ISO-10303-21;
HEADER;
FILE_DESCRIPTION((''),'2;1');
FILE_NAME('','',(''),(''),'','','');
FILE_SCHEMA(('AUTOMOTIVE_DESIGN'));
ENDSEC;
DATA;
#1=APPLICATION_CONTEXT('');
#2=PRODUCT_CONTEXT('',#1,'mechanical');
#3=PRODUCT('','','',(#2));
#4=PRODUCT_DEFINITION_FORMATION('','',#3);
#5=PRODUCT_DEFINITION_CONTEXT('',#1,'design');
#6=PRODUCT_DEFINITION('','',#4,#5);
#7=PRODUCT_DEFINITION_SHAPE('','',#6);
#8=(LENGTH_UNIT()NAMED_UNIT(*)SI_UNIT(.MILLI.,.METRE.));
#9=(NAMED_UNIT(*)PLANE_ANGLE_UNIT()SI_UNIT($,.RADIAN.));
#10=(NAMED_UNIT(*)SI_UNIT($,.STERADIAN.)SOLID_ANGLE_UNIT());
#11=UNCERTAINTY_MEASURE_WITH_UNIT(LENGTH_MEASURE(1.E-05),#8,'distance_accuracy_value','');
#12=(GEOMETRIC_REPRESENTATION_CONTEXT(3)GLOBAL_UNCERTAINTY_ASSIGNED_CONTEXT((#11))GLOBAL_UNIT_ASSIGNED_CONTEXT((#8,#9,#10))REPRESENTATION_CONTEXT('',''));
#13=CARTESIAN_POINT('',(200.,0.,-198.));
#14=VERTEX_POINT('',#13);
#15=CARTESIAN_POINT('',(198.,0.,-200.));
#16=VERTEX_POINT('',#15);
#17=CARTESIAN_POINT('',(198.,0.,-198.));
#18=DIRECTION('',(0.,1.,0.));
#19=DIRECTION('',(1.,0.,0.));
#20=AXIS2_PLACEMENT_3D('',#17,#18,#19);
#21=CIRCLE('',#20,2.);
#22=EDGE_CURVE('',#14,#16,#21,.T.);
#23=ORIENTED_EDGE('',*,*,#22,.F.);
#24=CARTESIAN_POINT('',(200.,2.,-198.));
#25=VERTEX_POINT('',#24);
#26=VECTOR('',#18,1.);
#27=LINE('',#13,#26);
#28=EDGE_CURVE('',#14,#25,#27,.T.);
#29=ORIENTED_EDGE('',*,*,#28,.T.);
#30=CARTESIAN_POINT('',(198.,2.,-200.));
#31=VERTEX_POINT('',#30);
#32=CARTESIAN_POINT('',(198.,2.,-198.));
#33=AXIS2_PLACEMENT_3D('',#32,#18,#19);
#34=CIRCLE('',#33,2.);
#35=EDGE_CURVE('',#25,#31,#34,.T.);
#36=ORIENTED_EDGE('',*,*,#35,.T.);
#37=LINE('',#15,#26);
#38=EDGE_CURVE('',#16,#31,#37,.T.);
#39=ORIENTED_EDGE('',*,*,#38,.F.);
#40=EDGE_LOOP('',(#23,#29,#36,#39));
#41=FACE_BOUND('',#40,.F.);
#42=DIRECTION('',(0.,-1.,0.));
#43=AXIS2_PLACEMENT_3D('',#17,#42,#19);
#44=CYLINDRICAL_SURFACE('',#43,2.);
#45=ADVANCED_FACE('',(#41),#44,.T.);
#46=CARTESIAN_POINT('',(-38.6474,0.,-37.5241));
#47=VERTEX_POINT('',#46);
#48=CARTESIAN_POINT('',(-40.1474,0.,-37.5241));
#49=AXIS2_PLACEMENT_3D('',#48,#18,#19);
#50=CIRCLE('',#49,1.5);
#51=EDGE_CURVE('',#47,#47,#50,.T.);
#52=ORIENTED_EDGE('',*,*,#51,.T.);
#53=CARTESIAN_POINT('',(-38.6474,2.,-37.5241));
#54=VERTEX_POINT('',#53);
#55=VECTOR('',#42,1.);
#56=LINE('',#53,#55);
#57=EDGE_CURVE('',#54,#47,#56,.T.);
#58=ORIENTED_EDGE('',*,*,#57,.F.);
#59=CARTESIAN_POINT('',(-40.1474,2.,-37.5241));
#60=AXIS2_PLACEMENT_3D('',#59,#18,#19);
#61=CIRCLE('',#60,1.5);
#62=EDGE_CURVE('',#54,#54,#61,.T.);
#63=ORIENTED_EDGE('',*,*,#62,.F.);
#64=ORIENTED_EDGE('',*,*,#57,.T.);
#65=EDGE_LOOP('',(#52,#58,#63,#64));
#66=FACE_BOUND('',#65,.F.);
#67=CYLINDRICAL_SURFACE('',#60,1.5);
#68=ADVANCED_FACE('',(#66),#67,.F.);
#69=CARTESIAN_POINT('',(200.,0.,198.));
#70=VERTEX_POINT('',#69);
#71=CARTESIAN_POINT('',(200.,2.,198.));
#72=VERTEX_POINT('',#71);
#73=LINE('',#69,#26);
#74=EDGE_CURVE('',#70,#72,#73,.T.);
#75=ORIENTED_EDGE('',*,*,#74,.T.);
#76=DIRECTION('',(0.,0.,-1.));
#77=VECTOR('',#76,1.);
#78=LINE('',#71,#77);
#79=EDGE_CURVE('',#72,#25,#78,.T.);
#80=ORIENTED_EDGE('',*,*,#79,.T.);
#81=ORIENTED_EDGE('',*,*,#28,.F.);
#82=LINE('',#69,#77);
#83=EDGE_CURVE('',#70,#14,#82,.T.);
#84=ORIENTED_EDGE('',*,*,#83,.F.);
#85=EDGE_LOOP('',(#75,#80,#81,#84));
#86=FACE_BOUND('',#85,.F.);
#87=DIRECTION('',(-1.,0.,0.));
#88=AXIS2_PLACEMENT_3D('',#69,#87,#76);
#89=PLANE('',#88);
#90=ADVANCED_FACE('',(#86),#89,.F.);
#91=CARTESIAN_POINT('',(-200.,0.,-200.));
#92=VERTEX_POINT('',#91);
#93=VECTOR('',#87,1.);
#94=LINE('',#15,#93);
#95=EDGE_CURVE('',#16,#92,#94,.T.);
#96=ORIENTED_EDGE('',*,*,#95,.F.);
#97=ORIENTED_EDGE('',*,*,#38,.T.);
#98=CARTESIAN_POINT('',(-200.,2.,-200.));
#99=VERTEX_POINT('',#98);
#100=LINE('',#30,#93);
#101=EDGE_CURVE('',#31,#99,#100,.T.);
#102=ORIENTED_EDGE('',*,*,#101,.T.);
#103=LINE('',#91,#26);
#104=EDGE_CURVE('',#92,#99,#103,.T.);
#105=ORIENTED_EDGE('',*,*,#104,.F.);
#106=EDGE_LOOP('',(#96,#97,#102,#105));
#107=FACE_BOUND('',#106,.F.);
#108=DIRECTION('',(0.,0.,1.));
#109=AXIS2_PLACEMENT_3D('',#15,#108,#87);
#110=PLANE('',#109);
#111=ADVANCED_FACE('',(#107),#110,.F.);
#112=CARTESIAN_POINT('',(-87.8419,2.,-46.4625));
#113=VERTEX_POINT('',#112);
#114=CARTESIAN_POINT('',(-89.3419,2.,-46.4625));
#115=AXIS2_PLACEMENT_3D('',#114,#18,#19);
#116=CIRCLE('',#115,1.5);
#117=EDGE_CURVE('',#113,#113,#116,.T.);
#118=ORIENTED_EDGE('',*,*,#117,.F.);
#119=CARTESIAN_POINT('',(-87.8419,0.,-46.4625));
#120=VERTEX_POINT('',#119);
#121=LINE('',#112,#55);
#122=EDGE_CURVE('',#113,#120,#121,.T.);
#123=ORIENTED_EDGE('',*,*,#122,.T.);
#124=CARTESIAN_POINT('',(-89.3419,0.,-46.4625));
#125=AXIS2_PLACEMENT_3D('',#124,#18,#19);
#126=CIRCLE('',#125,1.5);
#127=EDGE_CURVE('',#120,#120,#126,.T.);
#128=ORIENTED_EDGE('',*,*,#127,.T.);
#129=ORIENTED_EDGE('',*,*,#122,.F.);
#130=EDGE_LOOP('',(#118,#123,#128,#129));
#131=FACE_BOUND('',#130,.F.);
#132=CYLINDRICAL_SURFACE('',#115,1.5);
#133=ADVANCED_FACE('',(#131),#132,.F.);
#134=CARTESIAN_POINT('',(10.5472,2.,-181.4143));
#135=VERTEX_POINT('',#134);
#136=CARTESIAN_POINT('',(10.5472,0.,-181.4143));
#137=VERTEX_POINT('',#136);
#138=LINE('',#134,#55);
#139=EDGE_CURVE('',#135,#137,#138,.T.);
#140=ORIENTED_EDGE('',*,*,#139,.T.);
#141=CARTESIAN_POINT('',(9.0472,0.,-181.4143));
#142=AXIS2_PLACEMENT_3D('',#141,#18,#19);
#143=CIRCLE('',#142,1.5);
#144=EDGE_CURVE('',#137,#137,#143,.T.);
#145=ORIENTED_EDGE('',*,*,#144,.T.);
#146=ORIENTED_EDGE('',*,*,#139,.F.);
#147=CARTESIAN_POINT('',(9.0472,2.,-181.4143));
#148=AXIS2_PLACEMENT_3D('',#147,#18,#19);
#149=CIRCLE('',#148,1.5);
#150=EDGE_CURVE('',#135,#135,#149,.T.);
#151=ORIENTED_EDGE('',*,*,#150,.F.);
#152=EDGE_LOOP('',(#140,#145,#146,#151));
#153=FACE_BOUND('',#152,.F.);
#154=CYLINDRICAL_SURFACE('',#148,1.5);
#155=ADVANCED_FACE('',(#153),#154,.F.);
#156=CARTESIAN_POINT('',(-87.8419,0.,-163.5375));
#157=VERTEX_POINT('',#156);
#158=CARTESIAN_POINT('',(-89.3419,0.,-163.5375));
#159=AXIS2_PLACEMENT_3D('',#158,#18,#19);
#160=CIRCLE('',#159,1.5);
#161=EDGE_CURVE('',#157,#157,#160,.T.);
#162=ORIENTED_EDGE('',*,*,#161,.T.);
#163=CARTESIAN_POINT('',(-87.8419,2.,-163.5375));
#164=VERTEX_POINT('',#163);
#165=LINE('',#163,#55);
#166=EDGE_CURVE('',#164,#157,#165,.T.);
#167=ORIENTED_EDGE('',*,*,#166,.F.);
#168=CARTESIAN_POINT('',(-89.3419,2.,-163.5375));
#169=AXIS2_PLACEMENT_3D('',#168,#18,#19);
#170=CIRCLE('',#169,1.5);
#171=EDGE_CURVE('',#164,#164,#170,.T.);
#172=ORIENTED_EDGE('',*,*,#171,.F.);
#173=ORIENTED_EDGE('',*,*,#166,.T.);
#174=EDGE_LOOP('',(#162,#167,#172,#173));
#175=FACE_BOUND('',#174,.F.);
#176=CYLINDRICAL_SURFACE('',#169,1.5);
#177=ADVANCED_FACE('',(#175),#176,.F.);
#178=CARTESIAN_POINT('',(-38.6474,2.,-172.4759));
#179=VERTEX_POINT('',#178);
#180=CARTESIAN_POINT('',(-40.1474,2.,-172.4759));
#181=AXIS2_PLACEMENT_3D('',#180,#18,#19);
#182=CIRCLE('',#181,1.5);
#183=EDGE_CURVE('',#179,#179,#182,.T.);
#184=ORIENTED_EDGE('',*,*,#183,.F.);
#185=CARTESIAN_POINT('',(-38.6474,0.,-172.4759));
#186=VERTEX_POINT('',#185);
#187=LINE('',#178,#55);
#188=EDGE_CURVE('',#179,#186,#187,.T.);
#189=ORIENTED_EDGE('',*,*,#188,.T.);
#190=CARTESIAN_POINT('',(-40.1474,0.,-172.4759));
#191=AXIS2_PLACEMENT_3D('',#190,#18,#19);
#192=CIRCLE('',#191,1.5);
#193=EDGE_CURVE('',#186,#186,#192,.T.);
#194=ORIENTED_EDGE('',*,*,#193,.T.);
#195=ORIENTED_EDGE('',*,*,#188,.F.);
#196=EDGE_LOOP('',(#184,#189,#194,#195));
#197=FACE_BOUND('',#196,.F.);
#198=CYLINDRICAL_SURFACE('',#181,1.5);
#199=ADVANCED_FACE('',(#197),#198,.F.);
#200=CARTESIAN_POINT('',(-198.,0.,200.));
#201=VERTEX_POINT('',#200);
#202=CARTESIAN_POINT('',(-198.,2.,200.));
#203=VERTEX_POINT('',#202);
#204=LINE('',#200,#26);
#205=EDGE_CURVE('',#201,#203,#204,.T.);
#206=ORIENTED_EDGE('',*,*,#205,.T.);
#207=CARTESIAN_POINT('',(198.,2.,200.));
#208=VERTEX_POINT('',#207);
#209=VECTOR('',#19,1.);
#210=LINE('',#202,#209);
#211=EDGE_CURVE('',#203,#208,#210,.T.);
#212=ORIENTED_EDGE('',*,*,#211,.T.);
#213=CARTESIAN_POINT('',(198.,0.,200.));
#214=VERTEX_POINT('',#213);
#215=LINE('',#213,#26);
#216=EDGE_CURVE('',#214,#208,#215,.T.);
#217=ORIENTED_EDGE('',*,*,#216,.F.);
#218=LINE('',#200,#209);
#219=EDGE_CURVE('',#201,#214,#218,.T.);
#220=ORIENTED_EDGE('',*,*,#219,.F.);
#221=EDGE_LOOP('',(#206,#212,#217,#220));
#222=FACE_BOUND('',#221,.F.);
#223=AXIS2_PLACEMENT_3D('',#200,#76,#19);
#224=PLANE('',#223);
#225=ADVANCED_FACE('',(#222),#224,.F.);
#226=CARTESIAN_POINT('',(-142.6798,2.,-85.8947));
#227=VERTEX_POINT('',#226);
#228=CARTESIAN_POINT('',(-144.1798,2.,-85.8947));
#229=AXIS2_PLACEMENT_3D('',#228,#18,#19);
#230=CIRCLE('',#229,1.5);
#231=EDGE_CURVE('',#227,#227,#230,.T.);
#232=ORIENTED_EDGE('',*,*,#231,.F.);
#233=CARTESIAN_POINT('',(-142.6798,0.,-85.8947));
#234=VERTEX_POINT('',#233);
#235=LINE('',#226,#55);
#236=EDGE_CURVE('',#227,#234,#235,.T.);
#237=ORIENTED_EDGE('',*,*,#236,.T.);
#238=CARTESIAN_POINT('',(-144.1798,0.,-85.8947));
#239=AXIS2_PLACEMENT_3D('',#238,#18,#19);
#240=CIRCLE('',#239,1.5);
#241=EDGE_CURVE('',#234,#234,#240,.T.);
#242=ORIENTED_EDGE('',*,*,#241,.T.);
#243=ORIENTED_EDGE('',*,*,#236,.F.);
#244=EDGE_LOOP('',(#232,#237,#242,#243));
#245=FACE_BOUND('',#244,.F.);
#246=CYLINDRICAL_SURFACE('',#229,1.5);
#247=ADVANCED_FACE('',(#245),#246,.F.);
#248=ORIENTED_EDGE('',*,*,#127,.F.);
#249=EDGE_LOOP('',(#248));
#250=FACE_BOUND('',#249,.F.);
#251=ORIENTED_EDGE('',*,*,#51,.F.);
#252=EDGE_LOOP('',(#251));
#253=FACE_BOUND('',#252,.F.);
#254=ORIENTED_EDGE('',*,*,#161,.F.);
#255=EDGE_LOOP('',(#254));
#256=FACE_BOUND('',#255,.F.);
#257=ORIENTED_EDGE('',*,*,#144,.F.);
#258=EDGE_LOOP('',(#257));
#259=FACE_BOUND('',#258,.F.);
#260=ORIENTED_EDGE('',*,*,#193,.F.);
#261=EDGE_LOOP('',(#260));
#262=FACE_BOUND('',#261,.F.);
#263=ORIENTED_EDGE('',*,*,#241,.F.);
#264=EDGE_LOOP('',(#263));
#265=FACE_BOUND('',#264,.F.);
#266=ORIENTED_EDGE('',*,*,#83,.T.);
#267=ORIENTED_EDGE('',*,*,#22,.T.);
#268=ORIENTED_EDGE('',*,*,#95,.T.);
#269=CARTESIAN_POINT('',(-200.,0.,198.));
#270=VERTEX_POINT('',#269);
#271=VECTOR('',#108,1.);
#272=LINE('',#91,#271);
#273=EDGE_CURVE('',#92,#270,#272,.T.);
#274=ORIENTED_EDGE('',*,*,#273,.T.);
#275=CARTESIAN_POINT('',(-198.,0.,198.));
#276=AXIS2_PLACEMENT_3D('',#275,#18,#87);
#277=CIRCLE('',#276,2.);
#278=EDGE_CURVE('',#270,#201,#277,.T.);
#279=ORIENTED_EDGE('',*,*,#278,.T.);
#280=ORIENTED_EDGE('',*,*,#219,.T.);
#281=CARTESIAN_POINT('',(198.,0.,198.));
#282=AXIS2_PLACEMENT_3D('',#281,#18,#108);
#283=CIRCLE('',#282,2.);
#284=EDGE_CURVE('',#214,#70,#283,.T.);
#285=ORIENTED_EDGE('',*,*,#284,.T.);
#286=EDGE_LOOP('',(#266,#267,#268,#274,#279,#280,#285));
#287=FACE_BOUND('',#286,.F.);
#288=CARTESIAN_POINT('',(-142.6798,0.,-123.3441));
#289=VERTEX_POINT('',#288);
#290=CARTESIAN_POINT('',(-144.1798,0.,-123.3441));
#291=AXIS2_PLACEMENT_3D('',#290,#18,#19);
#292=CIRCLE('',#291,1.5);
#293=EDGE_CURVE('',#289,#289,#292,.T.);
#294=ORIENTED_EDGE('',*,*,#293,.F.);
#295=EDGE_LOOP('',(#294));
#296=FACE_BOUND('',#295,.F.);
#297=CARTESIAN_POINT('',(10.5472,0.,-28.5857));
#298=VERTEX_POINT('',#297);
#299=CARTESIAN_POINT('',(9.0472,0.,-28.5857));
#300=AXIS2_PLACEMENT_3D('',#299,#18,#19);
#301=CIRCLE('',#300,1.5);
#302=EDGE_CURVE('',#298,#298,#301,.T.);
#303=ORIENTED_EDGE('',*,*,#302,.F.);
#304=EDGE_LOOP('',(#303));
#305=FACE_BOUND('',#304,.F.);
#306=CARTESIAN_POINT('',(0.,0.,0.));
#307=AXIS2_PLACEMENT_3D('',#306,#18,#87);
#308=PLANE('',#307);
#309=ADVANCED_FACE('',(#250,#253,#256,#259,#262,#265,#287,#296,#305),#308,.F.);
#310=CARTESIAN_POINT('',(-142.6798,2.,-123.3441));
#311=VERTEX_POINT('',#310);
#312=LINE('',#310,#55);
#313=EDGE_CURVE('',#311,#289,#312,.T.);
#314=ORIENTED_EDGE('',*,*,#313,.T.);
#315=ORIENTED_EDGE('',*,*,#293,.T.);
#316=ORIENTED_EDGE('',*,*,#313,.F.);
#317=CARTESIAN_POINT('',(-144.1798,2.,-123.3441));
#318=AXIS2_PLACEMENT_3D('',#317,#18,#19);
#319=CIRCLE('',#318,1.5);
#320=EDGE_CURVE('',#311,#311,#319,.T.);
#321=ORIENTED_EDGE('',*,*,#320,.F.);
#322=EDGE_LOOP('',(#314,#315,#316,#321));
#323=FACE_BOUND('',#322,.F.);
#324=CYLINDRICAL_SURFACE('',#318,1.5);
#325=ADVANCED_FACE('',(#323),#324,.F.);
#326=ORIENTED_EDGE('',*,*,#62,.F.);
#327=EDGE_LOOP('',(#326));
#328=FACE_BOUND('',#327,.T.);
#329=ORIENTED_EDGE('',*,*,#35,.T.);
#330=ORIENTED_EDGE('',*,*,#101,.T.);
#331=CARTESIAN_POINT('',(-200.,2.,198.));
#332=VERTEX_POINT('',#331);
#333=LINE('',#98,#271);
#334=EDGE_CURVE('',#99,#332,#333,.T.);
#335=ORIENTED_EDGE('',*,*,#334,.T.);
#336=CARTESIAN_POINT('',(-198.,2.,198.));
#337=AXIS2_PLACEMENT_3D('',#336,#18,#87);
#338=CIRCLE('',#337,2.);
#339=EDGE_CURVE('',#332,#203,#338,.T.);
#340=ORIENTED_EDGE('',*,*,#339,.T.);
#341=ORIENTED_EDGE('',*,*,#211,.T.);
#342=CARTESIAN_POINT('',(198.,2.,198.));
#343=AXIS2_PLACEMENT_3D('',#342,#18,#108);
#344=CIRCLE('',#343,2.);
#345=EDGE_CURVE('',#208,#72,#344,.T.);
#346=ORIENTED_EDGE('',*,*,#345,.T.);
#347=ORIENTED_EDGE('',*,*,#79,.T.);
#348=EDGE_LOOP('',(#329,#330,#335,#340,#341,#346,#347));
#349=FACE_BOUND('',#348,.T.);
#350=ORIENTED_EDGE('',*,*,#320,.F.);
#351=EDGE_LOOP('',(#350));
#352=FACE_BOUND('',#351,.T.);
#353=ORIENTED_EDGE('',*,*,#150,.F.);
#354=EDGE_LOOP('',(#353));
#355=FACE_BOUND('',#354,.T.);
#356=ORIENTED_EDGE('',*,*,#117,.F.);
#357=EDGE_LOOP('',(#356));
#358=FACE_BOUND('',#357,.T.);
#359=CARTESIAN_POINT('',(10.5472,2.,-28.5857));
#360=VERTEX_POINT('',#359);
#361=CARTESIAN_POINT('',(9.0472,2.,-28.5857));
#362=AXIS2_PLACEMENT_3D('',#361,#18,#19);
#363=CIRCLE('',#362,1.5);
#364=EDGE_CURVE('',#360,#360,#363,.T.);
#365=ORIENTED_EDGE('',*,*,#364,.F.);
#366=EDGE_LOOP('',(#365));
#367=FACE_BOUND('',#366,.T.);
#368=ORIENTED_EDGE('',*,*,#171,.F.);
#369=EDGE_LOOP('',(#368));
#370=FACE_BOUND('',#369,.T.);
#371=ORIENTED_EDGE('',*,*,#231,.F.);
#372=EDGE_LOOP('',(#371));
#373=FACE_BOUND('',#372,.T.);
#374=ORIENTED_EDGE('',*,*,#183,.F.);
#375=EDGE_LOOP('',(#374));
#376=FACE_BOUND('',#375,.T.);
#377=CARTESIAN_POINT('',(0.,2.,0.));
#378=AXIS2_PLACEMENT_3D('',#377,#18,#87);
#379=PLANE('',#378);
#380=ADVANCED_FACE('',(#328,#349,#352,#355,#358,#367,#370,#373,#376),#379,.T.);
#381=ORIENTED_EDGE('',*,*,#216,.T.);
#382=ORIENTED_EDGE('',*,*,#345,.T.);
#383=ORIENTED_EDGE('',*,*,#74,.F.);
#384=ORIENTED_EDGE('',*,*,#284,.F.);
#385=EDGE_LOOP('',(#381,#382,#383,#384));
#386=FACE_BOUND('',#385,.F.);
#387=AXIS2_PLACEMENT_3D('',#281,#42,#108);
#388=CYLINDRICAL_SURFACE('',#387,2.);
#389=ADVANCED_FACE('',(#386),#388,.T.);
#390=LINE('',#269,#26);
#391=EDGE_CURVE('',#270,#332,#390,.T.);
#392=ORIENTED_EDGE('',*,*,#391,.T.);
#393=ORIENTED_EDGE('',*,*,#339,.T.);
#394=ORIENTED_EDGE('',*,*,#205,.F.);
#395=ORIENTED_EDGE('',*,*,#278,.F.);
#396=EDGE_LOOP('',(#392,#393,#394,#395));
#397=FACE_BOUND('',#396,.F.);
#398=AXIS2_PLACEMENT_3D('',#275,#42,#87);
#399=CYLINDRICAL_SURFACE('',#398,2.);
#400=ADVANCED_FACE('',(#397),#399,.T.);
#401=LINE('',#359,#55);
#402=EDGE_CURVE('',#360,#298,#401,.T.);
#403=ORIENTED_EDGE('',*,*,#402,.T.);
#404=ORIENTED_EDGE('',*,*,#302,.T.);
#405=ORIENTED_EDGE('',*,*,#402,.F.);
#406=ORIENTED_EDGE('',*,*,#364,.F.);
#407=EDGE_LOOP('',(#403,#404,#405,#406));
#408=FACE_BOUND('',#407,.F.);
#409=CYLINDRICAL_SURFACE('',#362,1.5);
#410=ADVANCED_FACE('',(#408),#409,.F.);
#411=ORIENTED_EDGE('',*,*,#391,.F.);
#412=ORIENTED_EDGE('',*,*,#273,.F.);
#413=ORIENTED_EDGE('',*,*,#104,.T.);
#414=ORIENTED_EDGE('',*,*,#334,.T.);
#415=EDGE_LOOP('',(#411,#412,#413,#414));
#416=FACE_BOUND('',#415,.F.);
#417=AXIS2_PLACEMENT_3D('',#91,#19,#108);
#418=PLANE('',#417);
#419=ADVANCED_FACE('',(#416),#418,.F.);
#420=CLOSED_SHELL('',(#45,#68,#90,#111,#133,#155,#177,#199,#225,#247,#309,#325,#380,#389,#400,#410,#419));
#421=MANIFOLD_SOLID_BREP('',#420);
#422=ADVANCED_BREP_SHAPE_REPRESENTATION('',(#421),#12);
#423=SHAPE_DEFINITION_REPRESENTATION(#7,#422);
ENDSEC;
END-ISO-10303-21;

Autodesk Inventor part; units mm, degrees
ref_plane "YZ Plane" through (0, 0, 0) normal (1, 0, 0) x (0, 1, 0)
ref_plane "XZ Plane" through (0, 0, 0) normal (0, 1, 0) x (-1, 0, 0)
ref_plane "XY Plane" through (0, 0, 0) normal (0, 0, 1) x (1, 0, 0)
sketch "Sketch1" plane through (0, 0, 0) normal (0, 1, 0) x (-1, 0, 0)
  line L0 (198, 200) -> (-198, 200)
  line L1 (-200, 198) -> (-200, -198)
  line L2 (-198, -200) -> (200, -200)
  line L3 (200, -200) -> (200, 198)
  line L4 (200, 200) -> (-200, -200) construction
  line L5 (-200, 200) -> (200, -200) construction
  arc A0 (200, 198) -> (198, 200) centre (198, 198) ccw
  arc A1 (-198, 200) -> (-200, 198) centre (-198, 198) ccw
  arc A2 (-200, -198) -> (-198, -200) centre (-198, -198) ccw
  point P0 (0, 0)
  dimension "d0" = 400
  dimension "d1" = 400
  dimension "d2" = 2
extrude "Extrusion1" add sketch "Sketch1" along normal blind 2
sketch "Sketch2" plane through (0, 2, 0) normal (0, 1, 0) x (1, 0, 0)
  circle A0 centre (-89.3419, 163.5375) radius 1.5 projected
  line L0 (-84.9588, 167.383) -> (-94.7977, 165.5953) projected
  line L1 (-94.7977, 165.5953) -> (-93.7251, 159.692) projected
  line L2 (-93.7251, 159.692) -> (-83.8862, 161.4797) projected
  line L3 (-84.9588, 167.383) -> (-83.8862, 161.4797) projected
  circle A1 centre (-144.1798, 123.3441) radius 1.5 projected
  line L4 (-147.1798, 118.3441) -> (-147.1798, 128.3441) projected
  line L5 (-141.1798, 118.3441) -> (-147.1798, 118.3441) projected
  line L6 (-141.1798, 128.3441) -> (-141.1798, 118.3441) projected
  line L7 (-141.1798, 128.3441) -> (-147.1798, 128.3441) projected
  circle A2 centre (-144.1798, 85.8947) radius 1.5 projected
  line L8 (-147.1798, 80.8947) -> (-147.1798, 90.8947) projected
  line L9 (-147.1798, 80.8947) -> (-141.1798, 80.8947) projected
  line L10 (-141.1798, 90.8947) -> (-141.1798, 80.8947) projected
  line L11 (-147.1798, 90.8947) -> (-141.1798, 90.8947) projected
  circle A3 centre (-89.3419, 46.4625) radius 1.5 projected
  circle A4 centre (-89.3419, 46.4625) radius 1.5 projected
  line L12 (-84.9588, 42.617) -> (-94.7977, 44.4047) projected
  line L13 (-84.9588, 42.617) -> (-83.8862, 48.5203) projected
  line L14 (-93.7251, 50.308) -> (-83.8862, 48.5203) projected
  line L15 (-94.7977, 44.4047) -> (-93.7251, 50.308) projected
  circle A5 centre (-40.1474, 37.5241) radius 1.5 projected
  line L16 (-35.7642, 33.6786) -> (-45.6031, 35.4663) projected
  line L17 (-35.7642, 33.6786) -> (-34.6916, 39.5819) projected
  line L18 (-44.5305, 41.3696) -> (-34.6916, 39.5819) projected
  line L19 (-45.6031, 35.4663) -> (-44.5305, 41.3696) projected
  circle A6 centre (9.0472, 28.5857) radius 1.5 projected
  line L20 (13.4304, 24.7402) -> (3.5914, 26.5278) projected
  line L21 (13.4304, 24.7402) -> (14.503, 30.6435) projected
  line L22 (4.6641, 32.4312) -> (14.503, 30.6435) projected
  line L23 (3.5914, 26.5278) -> (4.6641, 32.4312) projected
  circle A7 centre (-40.1474, 172.4759) radius 1.5 projected
  line L24 (-35.7642, 176.3214) -> (-45.6031, 174.5337) projected
  line L25 (-45.6031, 174.5337) -> (-44.5305, 168.6304) projected
  line L26 (-44.5305, 168.6304) -> (-34.6916, 170.4181) projected
  line L27 (-35.7642, 176.3214) -> (-34.6916, 170.4181) projected
  circle A8 centre (9.0472, 181.4143) radius 1.5 projected
  line L28 (13.4304, 185.2598) -> (3.5914, 183.4722) projected
  line L29 (3.5914, 183.4722) -> (4.6641, 177.5688) projected
  line L30 (4.6641, 177.5688) -> (14.503, 179.3565) projected
  line L31 (13.4304, 185.2598) -> (14.503, 179.3565) projected
  point P0 (0, 0)
extrude "Extrusion2" cut sketch "Sketch2" against normal through all contours A0 | A1 | A2 | A3 | A5 | A6 | A7 | A8
properties part number "plate"
